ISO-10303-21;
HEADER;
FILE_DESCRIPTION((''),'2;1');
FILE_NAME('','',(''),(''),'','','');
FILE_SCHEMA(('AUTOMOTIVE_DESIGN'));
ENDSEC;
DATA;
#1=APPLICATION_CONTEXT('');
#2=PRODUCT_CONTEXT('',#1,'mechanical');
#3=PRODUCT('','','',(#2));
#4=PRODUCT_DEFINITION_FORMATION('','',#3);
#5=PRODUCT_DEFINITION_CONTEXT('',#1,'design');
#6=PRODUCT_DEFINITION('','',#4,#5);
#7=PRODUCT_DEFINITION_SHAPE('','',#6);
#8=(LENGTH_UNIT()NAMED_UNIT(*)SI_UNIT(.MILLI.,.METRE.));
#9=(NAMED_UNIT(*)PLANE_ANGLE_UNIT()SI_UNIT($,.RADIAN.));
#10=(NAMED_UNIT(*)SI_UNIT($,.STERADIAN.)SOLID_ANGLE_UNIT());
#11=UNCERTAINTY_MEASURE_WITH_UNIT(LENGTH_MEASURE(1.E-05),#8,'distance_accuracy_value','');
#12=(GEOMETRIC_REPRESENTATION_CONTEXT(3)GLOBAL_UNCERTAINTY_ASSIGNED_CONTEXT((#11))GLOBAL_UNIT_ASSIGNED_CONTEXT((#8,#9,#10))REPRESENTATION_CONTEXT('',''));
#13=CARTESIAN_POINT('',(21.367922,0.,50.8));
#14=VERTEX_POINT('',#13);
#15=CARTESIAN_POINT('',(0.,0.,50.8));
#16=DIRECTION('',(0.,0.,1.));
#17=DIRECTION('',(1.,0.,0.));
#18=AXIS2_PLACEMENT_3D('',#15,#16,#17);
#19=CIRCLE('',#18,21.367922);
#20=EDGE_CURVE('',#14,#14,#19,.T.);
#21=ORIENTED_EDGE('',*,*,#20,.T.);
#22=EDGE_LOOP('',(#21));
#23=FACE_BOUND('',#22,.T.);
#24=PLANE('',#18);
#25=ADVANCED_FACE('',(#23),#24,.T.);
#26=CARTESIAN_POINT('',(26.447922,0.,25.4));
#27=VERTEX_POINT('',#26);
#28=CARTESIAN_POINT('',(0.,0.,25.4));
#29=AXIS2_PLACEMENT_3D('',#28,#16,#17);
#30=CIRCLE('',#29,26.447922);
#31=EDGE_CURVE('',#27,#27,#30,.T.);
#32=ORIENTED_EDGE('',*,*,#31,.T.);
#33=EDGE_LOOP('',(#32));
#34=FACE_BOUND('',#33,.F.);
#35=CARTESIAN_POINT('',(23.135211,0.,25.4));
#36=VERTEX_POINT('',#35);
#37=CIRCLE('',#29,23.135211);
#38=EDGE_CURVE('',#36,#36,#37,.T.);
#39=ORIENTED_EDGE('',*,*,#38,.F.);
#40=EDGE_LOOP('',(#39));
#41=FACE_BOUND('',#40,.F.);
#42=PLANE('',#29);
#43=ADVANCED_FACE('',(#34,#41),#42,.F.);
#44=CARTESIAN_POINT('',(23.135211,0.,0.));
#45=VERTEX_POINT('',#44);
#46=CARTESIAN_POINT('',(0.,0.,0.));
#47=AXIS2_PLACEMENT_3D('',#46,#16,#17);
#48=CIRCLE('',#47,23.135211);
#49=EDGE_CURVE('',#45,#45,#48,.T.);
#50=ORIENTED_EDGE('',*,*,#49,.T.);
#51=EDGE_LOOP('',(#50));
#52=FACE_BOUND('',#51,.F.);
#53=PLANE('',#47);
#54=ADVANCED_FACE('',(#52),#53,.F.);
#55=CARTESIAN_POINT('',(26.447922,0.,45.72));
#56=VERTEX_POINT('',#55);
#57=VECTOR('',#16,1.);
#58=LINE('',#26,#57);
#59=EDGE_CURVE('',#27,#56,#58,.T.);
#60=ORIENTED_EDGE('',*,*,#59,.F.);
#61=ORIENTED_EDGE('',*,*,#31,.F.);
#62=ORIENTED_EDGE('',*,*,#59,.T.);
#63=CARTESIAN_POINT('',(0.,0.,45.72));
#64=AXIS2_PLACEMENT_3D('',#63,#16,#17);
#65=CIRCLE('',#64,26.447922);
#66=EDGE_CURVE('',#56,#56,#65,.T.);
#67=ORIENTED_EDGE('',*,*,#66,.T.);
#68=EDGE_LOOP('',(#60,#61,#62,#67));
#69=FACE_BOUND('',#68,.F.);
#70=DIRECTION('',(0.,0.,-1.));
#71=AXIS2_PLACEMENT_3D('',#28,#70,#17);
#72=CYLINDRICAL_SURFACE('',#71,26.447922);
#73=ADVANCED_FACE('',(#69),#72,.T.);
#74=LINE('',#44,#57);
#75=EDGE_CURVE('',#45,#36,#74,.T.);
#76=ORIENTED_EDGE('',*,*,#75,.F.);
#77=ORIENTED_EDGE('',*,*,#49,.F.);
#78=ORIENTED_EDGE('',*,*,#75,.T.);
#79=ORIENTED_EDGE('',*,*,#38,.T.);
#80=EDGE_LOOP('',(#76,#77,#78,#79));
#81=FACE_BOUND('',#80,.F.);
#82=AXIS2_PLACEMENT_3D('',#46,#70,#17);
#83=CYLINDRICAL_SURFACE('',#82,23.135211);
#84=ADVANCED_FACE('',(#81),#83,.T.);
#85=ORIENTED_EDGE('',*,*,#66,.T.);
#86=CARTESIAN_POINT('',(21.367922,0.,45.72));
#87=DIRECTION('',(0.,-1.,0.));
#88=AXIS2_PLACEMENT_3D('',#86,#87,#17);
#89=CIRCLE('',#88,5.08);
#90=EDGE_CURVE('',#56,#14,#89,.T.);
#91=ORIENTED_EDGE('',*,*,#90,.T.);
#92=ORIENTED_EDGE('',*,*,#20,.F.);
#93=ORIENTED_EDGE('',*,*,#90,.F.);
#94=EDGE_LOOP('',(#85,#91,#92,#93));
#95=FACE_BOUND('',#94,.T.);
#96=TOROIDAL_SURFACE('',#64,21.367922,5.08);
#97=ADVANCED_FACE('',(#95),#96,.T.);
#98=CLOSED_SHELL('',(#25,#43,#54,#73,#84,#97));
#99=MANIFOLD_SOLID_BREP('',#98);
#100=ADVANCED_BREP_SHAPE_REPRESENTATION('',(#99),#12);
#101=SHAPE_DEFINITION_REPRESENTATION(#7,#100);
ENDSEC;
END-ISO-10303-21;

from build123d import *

# Parameters (mm, degrees)
F0_R      = 23.135211
F1_DEPTH  = 25.4
F2_R      = 26.447922
F2_R_2    = 23.135211
F1_FACE_R = 23.135211
F3_DEPTH  = 25.4
F4_R      = 5.08


with BuildPart() as f1:
    # F0 (on Top) → F1 (new body)
    with BuildSketch(Plane.XY):
        Circle(F0_R)
    extrude(amount=F1_DEPTH)

    # F2 (on face) + F1_face (on face) → F3 (join)
    with BuildSketch(Plane.XY.offset(25.4)):
        Circle(F2_R)
        Circle(F2_R_2, mode=Mode.SUBTRACT)
        Circle(F2_R_2)
    with BuildSketch(Plane.XY.offset(25.4)):
        Circle(F1_FACE_R)
    extrude(amount=F3_DEPTH)

    # F4
    f4_edges = [f1.edges().sort_by_distance(p)[0] for p in [
        (-26.447922, 0, 50.8),
    ]]
    fillet(f4_edges, radius=F4_R)


solid = f1.part
